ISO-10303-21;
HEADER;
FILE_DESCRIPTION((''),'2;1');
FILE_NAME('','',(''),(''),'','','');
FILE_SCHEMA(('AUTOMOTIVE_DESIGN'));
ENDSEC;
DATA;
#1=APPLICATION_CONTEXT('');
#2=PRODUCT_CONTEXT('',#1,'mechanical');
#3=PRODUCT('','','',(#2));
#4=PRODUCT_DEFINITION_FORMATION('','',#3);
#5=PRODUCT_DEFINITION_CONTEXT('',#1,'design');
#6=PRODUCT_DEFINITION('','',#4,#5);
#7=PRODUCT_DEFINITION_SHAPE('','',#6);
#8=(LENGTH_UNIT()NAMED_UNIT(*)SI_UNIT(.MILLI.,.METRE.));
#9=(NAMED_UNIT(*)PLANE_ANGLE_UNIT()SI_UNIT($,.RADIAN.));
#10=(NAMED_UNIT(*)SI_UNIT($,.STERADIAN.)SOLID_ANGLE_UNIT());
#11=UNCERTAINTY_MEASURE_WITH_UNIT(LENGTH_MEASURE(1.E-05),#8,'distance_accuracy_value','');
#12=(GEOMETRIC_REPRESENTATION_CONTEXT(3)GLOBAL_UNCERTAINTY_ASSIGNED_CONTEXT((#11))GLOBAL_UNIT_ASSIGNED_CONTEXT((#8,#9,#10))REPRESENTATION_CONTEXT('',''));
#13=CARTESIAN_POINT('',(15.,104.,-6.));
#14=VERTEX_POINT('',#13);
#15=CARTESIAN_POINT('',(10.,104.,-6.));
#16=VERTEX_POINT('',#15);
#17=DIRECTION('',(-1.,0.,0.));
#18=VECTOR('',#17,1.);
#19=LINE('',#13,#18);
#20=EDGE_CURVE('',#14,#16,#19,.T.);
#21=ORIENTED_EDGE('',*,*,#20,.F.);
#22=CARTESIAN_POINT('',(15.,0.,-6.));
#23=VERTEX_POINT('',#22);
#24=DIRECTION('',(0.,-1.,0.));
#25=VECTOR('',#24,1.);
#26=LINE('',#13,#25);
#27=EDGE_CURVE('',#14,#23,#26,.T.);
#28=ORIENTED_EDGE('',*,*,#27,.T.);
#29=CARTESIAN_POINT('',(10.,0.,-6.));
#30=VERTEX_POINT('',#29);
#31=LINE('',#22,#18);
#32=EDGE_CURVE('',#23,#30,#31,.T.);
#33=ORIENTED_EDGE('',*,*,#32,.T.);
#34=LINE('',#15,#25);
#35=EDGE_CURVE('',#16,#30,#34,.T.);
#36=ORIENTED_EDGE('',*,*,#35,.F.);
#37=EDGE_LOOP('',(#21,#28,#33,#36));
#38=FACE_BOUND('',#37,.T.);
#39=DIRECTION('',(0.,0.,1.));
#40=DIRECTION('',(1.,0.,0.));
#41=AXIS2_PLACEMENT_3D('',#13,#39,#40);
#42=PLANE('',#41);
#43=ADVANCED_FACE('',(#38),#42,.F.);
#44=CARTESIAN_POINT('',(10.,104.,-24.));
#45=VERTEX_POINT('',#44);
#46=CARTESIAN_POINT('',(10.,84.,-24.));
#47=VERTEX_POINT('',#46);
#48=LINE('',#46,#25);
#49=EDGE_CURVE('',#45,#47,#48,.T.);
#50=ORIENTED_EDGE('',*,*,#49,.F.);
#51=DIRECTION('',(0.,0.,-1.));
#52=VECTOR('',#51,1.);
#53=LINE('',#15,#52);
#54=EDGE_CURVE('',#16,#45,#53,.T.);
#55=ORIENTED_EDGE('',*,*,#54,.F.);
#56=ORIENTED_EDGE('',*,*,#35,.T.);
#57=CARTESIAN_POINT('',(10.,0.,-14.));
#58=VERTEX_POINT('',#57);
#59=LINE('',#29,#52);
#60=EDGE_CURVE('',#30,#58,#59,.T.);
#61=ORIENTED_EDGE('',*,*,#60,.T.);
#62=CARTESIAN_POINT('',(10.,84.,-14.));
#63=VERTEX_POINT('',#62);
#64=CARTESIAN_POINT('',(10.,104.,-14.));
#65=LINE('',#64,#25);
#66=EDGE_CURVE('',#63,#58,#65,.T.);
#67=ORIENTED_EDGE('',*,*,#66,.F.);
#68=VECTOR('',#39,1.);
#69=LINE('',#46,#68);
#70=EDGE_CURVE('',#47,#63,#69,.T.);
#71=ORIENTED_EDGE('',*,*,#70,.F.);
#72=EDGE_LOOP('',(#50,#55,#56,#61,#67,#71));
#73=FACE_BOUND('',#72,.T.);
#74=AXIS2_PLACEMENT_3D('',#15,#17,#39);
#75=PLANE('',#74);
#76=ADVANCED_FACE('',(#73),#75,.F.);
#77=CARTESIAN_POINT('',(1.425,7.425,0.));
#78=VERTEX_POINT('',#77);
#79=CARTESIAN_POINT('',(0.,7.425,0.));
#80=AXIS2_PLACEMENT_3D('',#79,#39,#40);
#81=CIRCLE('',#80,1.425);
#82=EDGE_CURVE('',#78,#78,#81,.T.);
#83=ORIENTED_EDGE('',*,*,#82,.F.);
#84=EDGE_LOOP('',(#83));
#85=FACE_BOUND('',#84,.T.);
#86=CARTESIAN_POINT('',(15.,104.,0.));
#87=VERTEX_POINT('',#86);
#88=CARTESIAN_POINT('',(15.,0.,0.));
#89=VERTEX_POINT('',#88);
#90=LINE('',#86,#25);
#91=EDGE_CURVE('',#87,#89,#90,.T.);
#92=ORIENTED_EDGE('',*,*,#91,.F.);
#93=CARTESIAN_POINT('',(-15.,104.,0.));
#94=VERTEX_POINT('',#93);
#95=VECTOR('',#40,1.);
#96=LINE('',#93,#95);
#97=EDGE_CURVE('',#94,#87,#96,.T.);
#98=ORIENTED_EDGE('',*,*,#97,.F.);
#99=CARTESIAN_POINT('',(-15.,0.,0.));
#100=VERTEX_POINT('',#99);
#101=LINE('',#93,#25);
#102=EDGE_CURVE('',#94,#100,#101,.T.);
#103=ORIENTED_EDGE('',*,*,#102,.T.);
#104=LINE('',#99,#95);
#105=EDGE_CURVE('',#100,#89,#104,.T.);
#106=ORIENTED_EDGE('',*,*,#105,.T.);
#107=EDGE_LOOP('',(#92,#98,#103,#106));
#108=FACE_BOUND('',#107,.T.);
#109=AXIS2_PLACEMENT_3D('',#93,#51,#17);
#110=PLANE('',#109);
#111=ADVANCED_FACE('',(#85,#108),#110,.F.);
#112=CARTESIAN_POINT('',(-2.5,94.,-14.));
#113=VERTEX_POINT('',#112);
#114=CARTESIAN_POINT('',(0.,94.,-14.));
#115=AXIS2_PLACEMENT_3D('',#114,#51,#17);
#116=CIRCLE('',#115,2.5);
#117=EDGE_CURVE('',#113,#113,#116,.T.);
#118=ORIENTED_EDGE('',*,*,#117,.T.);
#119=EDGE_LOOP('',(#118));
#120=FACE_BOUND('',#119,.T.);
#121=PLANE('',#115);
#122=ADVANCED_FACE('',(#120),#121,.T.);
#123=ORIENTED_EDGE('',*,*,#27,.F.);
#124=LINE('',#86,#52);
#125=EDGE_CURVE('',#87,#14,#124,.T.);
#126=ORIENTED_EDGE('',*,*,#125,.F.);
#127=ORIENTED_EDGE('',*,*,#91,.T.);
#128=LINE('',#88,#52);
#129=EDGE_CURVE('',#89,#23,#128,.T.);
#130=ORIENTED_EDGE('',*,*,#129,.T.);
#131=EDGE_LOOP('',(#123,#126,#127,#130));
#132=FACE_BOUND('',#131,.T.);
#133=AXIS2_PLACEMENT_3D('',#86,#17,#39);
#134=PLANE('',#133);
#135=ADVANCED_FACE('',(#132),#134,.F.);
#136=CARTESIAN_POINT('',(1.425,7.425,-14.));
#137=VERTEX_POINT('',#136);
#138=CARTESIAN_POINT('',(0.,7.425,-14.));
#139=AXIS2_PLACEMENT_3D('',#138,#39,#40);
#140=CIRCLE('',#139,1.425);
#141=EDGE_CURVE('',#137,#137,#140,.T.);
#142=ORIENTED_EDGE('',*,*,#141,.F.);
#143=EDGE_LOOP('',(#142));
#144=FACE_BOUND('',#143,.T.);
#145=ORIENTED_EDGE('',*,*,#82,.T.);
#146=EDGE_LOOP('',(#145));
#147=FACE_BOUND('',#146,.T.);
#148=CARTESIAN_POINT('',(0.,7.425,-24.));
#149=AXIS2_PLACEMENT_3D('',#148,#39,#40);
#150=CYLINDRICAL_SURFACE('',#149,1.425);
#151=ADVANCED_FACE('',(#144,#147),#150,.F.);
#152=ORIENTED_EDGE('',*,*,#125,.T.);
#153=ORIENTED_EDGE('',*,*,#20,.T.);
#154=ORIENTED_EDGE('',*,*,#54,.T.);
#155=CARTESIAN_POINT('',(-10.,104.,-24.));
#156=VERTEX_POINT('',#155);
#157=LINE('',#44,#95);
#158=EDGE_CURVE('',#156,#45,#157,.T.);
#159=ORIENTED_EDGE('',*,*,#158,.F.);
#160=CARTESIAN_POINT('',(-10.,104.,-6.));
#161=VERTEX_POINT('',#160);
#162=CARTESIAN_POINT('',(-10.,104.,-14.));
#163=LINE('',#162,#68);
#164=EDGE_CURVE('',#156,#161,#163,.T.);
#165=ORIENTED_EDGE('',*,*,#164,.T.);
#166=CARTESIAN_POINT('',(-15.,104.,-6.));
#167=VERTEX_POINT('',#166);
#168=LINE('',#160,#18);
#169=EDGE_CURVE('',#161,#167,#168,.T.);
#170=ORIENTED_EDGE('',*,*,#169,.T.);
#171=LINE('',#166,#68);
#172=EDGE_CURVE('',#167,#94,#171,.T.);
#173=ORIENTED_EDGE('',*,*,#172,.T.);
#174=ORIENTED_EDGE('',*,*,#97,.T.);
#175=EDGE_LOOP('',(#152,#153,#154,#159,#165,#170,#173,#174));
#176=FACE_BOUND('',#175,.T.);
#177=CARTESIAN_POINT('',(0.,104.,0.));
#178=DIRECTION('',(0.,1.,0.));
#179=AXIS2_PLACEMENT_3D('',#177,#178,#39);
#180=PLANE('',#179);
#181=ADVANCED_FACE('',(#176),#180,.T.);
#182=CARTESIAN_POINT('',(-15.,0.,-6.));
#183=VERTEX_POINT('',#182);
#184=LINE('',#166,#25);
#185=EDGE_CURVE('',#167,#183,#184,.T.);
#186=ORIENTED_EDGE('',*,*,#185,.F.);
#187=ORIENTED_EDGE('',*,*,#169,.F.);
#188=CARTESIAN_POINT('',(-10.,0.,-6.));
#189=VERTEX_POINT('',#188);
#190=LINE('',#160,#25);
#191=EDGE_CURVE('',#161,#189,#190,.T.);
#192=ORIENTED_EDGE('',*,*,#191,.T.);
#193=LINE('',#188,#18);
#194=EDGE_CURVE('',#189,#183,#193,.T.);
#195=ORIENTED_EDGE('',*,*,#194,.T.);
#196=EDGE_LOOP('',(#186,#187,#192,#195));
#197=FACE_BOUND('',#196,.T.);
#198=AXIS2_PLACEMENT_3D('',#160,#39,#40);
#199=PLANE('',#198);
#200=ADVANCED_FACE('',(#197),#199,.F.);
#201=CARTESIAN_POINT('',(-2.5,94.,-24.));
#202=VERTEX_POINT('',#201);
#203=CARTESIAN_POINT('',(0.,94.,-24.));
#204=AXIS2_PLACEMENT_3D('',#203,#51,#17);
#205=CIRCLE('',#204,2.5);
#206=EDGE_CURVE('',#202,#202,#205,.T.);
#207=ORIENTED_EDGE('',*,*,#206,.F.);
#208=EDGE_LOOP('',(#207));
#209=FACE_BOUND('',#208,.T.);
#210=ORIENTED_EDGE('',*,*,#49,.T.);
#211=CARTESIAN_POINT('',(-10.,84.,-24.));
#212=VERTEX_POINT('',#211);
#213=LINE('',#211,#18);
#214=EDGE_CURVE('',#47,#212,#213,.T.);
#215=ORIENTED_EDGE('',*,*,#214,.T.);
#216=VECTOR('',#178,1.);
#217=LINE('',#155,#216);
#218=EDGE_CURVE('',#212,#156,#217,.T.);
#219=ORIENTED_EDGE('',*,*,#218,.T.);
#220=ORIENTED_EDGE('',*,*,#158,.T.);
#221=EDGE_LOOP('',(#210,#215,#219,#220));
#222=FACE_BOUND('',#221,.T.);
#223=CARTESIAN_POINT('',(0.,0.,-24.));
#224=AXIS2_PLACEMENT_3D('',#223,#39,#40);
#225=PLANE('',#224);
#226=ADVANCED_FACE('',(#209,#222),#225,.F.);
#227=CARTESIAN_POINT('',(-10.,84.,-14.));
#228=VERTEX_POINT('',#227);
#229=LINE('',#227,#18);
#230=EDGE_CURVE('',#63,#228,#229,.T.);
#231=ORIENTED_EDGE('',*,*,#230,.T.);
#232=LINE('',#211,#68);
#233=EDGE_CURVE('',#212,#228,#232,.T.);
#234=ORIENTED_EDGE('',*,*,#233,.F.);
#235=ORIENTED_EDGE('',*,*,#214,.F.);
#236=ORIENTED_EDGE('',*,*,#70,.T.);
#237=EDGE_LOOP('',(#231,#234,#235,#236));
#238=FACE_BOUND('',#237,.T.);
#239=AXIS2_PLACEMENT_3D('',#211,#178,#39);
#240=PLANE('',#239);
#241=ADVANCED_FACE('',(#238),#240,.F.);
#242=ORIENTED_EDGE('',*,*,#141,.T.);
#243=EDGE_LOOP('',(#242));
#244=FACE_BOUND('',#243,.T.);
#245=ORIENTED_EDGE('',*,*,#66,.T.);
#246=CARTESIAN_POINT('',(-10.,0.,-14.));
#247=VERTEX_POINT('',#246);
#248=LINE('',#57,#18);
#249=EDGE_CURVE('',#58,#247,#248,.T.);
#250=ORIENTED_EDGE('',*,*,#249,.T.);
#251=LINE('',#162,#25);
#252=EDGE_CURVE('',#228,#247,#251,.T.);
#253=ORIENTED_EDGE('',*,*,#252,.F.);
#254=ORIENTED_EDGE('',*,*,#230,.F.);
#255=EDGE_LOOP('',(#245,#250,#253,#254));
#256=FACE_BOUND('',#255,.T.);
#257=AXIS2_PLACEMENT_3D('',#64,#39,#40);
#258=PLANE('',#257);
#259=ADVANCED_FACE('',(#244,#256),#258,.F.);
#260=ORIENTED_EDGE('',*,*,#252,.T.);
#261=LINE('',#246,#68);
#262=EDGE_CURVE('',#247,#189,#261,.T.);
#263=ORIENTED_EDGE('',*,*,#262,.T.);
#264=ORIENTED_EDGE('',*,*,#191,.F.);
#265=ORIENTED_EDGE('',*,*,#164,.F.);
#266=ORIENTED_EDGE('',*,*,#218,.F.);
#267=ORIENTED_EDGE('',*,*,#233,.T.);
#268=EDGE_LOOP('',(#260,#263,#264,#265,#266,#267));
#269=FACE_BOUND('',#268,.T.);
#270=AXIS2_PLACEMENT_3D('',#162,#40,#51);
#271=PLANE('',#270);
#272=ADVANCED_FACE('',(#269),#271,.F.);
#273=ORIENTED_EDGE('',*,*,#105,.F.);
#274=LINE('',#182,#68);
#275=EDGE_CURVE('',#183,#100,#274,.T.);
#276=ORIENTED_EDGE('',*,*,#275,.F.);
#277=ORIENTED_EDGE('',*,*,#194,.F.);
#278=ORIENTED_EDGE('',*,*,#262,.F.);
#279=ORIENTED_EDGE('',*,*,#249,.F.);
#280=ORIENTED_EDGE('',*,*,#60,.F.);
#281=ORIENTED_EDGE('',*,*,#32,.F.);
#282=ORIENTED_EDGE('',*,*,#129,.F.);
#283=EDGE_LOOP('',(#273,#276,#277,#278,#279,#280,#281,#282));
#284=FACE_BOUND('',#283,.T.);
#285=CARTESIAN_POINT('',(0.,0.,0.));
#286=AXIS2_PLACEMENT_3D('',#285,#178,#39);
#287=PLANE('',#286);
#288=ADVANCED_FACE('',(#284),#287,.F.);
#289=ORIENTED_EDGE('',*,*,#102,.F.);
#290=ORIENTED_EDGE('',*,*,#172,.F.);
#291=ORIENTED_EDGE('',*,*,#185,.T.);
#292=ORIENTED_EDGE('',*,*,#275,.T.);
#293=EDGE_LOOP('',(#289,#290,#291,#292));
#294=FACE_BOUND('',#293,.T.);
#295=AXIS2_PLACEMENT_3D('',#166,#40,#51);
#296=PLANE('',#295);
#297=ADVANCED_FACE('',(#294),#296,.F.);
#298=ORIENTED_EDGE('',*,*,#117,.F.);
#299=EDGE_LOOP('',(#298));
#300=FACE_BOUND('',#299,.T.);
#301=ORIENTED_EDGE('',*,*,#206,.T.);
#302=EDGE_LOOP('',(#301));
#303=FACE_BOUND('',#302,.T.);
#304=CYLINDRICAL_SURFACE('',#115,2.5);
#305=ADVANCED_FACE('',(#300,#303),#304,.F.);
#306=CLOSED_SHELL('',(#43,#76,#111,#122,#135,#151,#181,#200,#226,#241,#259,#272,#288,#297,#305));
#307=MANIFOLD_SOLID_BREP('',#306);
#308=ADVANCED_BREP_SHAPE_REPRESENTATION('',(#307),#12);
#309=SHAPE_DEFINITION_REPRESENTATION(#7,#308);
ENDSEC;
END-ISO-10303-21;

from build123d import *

# Parameters (mm, degrees)
DODANIE_WYCI_GNI_CIE1_DEPTH = 104
SZKIC2_W                    = 20
SZKIC2_H                    = 20
DODANIE_WYCI_GNI_CIE2_DEPTH = 10
SZKIC3_R                    = 2.5
WYTNIJ_WYCI_GNI_CIE1_DEPTH  = 10
SZKIC4_R                    = 1.425
WYTNIJ_WYCI_GNI_CIE2_DEPTH  = 108.782187768


with BuildPart() as part:
    # Szkic1 → Dodanie-wyciągnięcie1 (new body)
    with BuildSketch(Plane(origin=(0, 0, 0), x_dir=(1, 0, 0), z_dir=(0, 1, 0))):
        Polygon((-15, 0), (15, 0), (15, 6), (10, 6), (10, 14), (-10, 14), (-10, 6), (-15, 6), align=None)
    extrude(amount=DODANIE_WYCI_GNI_CIE1_DEPTH)

    # Szkic2 → Dodanie-wyciągnięcie2 (add)
    with BuildSketch(Plane(origin=(0, 0, -14), x_dir=(-1, 0, 0), z_dir=(0, 0, -1))):
        with Locations((0, 94)):
            Rectangle(SZKIC2_W, SZKIC2_H)
    extrude(amount=DODANIE_WYCI_GNI_CIE2_DEPTH)

    # Szkic3 → Wytnij-wyciągnięcie1 (cut)
    with BuildSketch(Plane(origin=(0, 0, -24), x_dir=(-1, 0, 0), z_dir=(0, 0, -1))):
        with Locations((0, 94)):
            Circle(SZKIC3_R)
    extrude(amount=-WYTNIJ_WYCI_GNI_CIE1_DEPTH, mode=Mode.SUBTRACT)

    # Szkic4 → Wytnij-wyciągnięcie2 (cut, through all)
    with BuildSketch(Plane.XY):
        with Locations((0, 7.425)):
            Circle(SZKIC4_R)
    extrude(amount=-WYTNIJ_WYCI_GNI_CIE2_DEPTH, mode=Mode.SUBTRACT)


solid = part.part
